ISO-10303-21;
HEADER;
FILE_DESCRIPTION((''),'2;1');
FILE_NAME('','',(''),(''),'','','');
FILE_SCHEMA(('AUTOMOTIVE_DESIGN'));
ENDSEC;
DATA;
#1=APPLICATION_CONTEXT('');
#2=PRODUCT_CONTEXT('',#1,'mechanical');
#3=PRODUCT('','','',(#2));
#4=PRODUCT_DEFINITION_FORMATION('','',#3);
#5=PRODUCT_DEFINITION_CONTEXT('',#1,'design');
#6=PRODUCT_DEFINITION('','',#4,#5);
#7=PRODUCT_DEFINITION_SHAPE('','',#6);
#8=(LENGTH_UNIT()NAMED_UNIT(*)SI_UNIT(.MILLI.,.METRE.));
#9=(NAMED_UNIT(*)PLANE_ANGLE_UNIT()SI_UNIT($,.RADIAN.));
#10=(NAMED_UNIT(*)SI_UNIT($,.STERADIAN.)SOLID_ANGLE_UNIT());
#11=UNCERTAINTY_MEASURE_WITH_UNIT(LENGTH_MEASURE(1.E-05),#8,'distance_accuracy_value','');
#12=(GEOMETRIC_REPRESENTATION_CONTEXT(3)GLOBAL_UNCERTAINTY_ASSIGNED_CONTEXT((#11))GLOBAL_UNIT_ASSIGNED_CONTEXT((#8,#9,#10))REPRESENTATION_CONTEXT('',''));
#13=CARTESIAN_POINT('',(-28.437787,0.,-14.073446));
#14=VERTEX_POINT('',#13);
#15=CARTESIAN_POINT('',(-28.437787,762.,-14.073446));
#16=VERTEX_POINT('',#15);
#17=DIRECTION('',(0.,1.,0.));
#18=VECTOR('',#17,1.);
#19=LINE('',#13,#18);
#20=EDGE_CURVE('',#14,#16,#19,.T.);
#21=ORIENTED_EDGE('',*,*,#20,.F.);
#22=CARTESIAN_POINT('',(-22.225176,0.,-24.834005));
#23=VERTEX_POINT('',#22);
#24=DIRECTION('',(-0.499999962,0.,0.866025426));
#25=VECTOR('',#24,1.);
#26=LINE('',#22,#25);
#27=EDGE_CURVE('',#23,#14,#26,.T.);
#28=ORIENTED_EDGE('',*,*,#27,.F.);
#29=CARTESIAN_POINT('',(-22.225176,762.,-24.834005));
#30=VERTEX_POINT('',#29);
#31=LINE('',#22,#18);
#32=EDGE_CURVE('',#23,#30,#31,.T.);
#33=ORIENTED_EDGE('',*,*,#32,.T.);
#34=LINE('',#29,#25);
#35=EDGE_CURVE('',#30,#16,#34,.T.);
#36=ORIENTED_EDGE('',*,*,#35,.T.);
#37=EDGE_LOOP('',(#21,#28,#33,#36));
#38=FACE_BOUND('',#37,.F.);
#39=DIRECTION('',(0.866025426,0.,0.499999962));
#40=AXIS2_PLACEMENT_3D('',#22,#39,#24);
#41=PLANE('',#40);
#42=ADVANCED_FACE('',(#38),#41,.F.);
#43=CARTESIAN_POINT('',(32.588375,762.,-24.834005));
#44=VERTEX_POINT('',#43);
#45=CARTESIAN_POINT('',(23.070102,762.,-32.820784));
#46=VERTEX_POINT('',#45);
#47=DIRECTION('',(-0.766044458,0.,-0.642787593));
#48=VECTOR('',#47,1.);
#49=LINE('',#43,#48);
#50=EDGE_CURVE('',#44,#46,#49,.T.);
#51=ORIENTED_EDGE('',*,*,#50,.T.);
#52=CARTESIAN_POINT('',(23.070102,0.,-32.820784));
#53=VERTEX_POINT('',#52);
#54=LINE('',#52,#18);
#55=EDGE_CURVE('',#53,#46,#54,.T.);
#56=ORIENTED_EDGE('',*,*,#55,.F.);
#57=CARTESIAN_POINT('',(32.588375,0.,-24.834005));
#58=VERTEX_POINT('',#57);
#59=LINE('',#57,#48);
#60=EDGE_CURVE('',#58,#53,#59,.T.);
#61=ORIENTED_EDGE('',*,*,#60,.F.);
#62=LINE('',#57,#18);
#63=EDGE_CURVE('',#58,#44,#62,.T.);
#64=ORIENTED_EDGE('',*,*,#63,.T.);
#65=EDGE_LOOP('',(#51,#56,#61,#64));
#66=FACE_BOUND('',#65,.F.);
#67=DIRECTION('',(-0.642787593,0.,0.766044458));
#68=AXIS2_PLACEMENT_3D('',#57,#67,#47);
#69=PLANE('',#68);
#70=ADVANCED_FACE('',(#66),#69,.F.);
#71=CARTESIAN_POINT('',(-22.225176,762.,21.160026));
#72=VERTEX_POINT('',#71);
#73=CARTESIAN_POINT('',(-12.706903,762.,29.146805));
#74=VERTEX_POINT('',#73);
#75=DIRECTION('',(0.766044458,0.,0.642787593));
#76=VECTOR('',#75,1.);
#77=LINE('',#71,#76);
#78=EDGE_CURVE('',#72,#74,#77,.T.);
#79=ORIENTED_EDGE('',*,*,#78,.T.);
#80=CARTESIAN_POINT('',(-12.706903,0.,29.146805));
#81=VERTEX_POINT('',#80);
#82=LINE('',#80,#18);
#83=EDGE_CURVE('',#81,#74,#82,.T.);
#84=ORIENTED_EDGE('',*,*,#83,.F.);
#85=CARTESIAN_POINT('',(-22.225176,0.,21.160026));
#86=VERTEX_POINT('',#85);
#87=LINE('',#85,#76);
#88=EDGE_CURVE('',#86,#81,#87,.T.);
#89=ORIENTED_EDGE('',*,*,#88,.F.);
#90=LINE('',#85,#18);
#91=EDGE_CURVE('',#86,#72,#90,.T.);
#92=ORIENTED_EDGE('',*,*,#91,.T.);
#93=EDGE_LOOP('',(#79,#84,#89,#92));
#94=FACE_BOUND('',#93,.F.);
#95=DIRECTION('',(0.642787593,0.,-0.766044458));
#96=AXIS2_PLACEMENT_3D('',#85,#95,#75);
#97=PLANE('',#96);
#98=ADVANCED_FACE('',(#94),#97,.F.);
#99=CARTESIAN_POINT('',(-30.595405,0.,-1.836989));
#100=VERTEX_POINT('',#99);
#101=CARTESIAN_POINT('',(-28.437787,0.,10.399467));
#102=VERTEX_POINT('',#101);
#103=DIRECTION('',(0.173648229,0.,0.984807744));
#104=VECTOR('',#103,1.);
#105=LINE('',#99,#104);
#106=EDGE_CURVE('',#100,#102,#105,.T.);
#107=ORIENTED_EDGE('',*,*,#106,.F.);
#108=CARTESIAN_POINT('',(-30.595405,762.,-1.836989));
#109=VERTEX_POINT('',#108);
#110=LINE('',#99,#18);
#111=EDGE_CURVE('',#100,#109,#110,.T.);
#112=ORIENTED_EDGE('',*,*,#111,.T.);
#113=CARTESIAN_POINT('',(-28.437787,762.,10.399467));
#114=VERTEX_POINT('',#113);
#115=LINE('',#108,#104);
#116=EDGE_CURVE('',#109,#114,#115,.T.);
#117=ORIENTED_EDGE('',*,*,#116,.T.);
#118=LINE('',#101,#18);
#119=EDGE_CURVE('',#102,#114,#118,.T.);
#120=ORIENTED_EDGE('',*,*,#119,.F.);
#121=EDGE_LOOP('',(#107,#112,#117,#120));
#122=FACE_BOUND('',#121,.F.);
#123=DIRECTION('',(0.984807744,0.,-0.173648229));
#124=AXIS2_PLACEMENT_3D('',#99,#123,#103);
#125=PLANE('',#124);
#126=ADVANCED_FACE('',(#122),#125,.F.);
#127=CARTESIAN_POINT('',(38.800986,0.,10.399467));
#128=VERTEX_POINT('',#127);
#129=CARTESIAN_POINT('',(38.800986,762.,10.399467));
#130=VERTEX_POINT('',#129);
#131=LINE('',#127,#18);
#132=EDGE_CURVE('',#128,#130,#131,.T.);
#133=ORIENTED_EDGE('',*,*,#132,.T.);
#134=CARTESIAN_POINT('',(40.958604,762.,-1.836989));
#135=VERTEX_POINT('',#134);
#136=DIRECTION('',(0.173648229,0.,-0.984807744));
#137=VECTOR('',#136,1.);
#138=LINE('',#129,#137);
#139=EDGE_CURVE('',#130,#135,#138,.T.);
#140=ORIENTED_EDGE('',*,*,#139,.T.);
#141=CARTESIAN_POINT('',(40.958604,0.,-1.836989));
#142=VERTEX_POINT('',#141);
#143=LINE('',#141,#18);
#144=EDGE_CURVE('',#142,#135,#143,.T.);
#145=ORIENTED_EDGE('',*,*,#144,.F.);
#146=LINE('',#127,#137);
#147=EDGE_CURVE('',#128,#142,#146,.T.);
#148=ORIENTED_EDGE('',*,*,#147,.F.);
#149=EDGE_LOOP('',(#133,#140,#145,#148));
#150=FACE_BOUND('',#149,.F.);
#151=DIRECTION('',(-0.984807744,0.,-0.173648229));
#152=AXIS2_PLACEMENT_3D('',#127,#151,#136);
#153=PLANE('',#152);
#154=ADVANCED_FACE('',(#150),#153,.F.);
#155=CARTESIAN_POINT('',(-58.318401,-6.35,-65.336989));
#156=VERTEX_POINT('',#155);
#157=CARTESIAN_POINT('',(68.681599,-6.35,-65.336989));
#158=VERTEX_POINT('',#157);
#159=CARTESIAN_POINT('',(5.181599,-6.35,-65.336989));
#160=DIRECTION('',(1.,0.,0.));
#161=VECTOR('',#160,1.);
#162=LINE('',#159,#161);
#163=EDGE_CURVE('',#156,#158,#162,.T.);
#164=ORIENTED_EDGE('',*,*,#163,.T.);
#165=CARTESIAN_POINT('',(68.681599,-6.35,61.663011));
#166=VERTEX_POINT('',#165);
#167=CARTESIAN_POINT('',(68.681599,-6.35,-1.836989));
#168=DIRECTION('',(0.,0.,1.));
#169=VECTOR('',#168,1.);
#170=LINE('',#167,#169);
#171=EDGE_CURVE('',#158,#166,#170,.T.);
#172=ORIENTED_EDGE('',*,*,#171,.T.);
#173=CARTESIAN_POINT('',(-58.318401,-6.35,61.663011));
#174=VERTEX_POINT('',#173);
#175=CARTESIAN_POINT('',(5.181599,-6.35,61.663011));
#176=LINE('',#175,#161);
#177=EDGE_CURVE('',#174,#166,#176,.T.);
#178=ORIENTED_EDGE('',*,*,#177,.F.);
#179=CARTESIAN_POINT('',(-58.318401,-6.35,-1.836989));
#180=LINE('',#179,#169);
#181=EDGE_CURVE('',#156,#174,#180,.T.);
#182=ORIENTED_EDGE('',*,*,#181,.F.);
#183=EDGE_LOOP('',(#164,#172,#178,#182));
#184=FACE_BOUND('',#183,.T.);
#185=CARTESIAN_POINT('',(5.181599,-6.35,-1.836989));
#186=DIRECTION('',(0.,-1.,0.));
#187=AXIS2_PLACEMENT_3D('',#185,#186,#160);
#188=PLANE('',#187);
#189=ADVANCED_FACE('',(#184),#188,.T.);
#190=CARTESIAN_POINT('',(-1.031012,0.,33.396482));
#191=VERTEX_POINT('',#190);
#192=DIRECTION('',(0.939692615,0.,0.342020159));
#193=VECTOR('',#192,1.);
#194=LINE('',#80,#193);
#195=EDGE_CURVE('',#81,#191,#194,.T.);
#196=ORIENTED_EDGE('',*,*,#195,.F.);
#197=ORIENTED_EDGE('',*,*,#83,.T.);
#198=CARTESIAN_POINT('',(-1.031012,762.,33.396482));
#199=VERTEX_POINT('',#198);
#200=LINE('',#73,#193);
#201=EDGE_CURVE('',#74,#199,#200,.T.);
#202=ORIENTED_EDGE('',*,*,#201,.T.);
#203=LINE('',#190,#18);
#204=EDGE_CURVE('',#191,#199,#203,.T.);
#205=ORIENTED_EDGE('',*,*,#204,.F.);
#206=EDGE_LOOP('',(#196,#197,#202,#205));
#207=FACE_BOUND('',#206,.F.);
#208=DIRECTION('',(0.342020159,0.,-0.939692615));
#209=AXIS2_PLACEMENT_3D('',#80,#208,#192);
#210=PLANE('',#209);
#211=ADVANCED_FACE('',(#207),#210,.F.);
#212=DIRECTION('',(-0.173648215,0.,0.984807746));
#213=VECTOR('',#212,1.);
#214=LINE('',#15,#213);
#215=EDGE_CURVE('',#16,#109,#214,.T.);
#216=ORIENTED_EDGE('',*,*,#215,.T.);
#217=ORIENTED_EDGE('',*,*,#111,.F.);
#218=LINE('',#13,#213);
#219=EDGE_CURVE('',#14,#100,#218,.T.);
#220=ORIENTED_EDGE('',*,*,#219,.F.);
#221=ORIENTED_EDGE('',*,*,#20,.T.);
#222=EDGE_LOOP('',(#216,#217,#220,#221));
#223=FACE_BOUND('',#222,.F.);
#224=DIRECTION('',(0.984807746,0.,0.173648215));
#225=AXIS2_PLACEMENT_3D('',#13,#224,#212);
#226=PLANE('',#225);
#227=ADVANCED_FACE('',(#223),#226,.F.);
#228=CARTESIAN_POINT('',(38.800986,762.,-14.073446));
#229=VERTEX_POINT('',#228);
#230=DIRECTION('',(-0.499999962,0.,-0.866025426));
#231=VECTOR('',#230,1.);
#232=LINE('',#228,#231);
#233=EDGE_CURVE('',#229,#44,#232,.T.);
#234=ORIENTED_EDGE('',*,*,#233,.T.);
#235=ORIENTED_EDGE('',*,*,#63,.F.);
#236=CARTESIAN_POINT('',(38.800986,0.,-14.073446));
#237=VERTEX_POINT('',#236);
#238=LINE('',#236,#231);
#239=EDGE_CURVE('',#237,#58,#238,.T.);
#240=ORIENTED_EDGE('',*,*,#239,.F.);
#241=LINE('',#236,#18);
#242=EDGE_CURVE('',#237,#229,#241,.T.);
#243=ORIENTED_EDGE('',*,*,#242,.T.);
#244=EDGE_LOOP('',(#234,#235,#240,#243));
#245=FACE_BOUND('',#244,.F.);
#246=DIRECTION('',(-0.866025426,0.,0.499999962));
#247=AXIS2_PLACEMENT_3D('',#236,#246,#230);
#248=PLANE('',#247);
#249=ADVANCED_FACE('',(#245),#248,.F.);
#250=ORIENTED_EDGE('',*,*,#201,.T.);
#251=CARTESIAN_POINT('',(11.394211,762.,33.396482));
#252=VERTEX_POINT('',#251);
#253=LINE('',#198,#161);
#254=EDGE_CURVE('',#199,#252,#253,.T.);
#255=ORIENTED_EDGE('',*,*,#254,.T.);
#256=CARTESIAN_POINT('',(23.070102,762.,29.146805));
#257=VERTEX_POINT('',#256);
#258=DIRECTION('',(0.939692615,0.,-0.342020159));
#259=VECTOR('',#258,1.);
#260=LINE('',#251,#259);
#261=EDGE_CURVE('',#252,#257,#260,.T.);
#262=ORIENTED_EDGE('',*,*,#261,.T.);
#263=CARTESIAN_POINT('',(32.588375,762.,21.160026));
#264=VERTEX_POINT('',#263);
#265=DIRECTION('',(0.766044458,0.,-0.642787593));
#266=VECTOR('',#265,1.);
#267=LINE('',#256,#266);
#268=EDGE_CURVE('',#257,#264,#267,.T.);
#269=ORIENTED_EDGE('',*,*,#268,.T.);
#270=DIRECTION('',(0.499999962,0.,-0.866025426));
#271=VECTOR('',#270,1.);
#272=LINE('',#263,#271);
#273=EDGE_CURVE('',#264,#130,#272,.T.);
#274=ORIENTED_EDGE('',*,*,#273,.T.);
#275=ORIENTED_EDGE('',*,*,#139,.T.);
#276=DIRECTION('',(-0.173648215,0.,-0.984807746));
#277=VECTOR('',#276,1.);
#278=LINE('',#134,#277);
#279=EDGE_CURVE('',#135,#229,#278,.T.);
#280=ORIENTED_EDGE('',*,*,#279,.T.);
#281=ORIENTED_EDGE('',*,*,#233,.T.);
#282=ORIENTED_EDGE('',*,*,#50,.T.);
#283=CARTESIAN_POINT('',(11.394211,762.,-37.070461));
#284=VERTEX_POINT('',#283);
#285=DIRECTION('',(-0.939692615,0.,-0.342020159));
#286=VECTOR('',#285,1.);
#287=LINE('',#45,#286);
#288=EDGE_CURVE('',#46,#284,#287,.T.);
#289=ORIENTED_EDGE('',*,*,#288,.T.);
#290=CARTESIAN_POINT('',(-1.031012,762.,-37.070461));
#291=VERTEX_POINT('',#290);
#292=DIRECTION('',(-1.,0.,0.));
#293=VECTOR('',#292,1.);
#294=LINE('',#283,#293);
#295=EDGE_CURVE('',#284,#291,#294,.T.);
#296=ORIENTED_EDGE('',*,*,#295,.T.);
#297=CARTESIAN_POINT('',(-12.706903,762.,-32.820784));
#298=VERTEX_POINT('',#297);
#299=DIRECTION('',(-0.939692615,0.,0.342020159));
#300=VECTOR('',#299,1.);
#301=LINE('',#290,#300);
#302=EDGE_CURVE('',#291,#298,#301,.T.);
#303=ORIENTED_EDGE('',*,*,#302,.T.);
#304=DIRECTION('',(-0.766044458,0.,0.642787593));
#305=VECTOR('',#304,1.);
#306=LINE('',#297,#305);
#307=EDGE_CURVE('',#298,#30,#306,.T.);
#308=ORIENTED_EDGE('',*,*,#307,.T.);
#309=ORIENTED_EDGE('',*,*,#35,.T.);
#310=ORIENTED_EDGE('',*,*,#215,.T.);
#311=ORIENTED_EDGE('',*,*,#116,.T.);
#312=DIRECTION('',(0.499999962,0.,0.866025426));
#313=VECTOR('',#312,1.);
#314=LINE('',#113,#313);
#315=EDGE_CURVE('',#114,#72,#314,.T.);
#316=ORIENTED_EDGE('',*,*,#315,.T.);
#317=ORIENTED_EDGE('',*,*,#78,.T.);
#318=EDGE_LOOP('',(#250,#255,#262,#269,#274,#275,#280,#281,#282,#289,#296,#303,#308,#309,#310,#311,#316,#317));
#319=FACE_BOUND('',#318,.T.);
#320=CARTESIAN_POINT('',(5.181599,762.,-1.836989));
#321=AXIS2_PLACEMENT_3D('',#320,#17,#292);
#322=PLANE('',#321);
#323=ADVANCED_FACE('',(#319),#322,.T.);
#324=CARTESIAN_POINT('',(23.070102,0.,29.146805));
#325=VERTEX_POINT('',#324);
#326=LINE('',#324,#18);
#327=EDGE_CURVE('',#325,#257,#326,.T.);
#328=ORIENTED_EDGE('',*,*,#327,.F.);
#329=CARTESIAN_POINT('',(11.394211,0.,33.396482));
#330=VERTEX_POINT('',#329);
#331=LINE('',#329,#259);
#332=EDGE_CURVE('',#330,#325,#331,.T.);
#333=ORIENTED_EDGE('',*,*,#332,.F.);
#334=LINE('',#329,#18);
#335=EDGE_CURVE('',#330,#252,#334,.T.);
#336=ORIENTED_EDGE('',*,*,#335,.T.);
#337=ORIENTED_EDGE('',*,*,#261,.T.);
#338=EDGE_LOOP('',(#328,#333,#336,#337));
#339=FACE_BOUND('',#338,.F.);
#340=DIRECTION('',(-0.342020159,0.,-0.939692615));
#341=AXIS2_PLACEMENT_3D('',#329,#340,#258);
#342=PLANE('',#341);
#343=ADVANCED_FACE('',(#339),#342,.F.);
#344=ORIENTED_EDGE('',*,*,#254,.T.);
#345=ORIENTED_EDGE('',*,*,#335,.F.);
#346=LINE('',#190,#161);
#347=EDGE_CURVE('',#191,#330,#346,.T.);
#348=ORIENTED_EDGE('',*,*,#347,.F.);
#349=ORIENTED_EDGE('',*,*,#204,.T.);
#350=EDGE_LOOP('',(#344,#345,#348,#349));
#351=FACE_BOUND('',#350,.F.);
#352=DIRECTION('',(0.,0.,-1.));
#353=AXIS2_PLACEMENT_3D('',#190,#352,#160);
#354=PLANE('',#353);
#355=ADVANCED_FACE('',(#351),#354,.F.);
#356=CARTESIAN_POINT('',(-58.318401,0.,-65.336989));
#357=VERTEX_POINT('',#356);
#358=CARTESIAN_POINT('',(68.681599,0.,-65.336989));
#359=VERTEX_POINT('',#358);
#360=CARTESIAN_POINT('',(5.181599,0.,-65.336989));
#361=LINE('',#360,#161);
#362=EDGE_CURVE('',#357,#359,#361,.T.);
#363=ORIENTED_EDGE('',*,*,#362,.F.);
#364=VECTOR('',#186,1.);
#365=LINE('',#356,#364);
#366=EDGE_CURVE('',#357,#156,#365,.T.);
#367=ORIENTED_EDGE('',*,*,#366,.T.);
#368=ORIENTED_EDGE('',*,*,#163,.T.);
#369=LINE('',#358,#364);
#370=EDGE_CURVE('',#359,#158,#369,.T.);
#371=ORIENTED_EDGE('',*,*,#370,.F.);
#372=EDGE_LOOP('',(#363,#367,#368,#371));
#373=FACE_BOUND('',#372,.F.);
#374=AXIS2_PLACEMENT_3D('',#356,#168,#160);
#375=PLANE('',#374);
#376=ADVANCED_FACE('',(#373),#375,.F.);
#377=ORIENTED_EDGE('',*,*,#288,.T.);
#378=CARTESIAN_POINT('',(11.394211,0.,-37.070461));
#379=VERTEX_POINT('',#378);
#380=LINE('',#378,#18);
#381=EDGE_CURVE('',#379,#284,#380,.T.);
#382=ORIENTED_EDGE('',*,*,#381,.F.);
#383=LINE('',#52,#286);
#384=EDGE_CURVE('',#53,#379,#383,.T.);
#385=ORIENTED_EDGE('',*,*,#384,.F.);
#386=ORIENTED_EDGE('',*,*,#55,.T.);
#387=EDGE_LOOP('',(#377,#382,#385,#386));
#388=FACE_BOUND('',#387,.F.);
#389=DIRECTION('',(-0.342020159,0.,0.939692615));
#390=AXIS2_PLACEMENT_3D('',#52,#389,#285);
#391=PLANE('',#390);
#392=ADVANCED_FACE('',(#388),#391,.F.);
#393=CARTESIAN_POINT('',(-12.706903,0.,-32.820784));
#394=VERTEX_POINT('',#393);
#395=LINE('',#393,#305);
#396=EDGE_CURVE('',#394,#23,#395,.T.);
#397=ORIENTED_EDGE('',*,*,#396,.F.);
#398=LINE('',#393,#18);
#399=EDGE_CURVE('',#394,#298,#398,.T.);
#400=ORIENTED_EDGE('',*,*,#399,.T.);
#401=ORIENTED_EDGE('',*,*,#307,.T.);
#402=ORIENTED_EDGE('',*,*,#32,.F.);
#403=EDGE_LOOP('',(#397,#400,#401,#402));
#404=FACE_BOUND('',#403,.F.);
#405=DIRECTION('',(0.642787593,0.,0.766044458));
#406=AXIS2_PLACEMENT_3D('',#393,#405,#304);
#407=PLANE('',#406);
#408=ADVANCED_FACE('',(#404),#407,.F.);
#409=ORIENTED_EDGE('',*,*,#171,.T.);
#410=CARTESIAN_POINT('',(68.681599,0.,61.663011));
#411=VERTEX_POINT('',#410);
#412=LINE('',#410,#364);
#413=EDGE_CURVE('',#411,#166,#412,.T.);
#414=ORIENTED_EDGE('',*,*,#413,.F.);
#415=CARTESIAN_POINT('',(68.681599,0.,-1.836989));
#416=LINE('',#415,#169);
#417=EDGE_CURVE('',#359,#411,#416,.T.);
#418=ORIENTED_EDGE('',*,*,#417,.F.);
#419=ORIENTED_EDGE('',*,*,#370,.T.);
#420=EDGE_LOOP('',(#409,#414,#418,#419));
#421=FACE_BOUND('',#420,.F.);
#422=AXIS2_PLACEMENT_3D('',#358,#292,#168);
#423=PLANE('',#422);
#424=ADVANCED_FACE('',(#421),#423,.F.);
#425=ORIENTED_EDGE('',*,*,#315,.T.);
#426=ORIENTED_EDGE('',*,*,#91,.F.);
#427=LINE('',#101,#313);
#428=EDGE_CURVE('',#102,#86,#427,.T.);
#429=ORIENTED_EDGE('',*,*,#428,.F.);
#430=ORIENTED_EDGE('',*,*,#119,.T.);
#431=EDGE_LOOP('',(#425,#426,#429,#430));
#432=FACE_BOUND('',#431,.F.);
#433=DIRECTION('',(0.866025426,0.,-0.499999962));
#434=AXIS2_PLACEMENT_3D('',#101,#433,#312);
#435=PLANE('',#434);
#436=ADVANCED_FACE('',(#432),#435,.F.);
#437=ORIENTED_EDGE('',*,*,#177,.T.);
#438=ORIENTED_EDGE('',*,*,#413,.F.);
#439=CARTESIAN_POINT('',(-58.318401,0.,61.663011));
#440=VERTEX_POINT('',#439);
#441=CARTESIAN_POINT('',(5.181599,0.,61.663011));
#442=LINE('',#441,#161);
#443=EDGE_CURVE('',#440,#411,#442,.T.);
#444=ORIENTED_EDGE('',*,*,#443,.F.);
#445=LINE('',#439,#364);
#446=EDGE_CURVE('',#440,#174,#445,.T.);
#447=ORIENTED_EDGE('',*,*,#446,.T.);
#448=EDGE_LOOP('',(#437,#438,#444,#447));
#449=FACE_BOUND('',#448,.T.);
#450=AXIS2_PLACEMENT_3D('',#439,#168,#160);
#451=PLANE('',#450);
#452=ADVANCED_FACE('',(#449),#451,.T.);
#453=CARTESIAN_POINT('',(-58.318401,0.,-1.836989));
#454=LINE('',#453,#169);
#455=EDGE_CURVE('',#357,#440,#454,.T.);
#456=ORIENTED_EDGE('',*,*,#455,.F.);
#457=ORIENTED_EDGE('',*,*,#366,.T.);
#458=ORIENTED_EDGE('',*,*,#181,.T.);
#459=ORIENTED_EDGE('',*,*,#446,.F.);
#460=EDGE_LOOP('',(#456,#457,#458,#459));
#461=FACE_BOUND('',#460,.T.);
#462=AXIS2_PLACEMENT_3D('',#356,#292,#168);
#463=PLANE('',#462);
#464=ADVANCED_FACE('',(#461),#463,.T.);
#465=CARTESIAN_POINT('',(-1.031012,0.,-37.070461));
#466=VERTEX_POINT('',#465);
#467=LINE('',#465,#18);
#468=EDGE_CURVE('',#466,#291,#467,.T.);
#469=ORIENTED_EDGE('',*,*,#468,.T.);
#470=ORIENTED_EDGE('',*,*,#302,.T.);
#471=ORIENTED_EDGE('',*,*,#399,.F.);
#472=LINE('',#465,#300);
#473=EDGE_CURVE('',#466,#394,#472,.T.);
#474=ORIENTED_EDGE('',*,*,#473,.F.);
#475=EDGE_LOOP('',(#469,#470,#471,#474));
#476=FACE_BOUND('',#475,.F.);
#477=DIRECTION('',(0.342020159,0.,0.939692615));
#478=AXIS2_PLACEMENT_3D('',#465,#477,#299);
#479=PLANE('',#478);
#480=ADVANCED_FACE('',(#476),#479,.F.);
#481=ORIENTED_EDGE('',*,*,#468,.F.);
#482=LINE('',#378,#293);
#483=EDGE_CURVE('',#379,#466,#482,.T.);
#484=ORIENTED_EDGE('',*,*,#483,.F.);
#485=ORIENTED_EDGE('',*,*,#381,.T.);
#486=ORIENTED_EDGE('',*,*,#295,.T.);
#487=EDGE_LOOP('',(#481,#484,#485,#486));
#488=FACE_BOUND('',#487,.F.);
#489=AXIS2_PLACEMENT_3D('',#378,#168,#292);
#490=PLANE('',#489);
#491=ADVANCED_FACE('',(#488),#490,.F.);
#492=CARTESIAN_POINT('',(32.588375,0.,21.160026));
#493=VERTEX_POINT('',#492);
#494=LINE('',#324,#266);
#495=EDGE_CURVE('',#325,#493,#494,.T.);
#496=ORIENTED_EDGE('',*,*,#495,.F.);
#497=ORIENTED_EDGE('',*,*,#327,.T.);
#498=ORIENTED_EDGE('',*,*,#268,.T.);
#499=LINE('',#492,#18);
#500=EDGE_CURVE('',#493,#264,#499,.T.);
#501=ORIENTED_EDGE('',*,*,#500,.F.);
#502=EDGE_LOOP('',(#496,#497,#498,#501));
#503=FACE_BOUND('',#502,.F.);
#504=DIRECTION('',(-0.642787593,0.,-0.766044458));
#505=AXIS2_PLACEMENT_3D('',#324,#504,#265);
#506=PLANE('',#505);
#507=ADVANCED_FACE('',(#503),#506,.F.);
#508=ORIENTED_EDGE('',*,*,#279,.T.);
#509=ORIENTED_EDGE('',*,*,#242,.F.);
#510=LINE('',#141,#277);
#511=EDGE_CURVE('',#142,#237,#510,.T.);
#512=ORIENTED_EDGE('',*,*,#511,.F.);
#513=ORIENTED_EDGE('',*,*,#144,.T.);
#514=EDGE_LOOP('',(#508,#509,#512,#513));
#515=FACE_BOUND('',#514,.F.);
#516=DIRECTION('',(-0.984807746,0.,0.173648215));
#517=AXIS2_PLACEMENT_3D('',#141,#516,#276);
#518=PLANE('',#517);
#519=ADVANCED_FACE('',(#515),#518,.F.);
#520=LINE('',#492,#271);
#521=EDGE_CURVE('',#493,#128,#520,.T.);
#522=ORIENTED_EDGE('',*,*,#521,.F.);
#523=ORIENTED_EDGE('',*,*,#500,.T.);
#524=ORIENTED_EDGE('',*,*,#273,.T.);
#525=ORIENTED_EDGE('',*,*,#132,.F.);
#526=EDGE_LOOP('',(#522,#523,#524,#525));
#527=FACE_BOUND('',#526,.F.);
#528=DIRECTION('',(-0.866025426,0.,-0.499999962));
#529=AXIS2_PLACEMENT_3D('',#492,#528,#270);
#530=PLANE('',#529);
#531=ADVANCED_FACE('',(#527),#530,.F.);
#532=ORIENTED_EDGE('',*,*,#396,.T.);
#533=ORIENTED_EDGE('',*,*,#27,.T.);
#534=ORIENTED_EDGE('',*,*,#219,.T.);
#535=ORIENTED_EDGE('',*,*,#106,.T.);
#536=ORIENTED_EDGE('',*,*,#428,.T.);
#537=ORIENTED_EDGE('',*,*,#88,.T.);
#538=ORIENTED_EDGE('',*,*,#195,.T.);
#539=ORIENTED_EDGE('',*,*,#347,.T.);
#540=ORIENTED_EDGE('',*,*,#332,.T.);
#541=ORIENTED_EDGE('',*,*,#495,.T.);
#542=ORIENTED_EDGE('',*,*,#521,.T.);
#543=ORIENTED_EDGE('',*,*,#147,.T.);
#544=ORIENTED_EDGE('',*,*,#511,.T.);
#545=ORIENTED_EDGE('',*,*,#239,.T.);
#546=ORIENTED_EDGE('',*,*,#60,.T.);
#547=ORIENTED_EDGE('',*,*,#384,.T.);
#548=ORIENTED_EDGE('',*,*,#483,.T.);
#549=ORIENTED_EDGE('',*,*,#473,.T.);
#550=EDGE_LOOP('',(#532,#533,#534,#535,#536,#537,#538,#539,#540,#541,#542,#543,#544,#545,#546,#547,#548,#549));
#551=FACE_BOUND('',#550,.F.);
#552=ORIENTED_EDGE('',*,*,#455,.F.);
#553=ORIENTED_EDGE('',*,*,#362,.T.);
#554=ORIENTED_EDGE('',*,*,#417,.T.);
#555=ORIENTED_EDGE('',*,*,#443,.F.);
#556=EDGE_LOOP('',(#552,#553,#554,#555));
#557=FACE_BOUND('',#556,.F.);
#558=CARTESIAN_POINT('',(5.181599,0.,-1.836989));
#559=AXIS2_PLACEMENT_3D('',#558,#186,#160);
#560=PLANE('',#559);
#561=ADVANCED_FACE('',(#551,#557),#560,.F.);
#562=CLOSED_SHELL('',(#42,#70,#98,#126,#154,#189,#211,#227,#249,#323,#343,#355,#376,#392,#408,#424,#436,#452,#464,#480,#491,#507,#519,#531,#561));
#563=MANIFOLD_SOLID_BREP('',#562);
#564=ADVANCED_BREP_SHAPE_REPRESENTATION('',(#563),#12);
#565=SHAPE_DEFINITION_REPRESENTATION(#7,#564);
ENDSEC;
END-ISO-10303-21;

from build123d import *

# Parameters (mm, degrees)
F0_W     = 127
F0_H     = 127
F1_DEPTH = 6.35
F4_DEPTH = 762


with BuildPart() as f1:
    # F0 (on Front) → F1 (new body)
    with BuildSketch(Plane.XZ):
        with Locations((5.181599, -1.836989)):
            Rectangle(F0_W, F0_H)
    extrude(amount=F1_DEPTH)

    # F3 (on face) → F4 (join)
    with BuildSketch(Plane(origin=(0, 0, 0), x_dir=(-1, 0, 0), z_dir=(0, 1, 0))):
        Polygon((-11.394211, -37.070461), (1.031012, -37.070461), (12.706903, -32.820784), (22.225176, -24.834005), (28.437787, -14.073446), (30.595405, -1.836989), (28.437787, 10.399467), (22.225176, 21.160026), (12.706903, 29.146805), (1.031012, 33.396482), (-11.394211, 33.396482), (-23.070102, 29.146805), (-32.588375, 21.160026), (-38.800986, 10.399467), (-40.958604, -1.836989), (-38.800986, -14.073446), (-32.588375, -24.834005), (-23.070102, -32.820784), align=None)
    extrude(amount=F4_DEPTH)


solid = f1.part
